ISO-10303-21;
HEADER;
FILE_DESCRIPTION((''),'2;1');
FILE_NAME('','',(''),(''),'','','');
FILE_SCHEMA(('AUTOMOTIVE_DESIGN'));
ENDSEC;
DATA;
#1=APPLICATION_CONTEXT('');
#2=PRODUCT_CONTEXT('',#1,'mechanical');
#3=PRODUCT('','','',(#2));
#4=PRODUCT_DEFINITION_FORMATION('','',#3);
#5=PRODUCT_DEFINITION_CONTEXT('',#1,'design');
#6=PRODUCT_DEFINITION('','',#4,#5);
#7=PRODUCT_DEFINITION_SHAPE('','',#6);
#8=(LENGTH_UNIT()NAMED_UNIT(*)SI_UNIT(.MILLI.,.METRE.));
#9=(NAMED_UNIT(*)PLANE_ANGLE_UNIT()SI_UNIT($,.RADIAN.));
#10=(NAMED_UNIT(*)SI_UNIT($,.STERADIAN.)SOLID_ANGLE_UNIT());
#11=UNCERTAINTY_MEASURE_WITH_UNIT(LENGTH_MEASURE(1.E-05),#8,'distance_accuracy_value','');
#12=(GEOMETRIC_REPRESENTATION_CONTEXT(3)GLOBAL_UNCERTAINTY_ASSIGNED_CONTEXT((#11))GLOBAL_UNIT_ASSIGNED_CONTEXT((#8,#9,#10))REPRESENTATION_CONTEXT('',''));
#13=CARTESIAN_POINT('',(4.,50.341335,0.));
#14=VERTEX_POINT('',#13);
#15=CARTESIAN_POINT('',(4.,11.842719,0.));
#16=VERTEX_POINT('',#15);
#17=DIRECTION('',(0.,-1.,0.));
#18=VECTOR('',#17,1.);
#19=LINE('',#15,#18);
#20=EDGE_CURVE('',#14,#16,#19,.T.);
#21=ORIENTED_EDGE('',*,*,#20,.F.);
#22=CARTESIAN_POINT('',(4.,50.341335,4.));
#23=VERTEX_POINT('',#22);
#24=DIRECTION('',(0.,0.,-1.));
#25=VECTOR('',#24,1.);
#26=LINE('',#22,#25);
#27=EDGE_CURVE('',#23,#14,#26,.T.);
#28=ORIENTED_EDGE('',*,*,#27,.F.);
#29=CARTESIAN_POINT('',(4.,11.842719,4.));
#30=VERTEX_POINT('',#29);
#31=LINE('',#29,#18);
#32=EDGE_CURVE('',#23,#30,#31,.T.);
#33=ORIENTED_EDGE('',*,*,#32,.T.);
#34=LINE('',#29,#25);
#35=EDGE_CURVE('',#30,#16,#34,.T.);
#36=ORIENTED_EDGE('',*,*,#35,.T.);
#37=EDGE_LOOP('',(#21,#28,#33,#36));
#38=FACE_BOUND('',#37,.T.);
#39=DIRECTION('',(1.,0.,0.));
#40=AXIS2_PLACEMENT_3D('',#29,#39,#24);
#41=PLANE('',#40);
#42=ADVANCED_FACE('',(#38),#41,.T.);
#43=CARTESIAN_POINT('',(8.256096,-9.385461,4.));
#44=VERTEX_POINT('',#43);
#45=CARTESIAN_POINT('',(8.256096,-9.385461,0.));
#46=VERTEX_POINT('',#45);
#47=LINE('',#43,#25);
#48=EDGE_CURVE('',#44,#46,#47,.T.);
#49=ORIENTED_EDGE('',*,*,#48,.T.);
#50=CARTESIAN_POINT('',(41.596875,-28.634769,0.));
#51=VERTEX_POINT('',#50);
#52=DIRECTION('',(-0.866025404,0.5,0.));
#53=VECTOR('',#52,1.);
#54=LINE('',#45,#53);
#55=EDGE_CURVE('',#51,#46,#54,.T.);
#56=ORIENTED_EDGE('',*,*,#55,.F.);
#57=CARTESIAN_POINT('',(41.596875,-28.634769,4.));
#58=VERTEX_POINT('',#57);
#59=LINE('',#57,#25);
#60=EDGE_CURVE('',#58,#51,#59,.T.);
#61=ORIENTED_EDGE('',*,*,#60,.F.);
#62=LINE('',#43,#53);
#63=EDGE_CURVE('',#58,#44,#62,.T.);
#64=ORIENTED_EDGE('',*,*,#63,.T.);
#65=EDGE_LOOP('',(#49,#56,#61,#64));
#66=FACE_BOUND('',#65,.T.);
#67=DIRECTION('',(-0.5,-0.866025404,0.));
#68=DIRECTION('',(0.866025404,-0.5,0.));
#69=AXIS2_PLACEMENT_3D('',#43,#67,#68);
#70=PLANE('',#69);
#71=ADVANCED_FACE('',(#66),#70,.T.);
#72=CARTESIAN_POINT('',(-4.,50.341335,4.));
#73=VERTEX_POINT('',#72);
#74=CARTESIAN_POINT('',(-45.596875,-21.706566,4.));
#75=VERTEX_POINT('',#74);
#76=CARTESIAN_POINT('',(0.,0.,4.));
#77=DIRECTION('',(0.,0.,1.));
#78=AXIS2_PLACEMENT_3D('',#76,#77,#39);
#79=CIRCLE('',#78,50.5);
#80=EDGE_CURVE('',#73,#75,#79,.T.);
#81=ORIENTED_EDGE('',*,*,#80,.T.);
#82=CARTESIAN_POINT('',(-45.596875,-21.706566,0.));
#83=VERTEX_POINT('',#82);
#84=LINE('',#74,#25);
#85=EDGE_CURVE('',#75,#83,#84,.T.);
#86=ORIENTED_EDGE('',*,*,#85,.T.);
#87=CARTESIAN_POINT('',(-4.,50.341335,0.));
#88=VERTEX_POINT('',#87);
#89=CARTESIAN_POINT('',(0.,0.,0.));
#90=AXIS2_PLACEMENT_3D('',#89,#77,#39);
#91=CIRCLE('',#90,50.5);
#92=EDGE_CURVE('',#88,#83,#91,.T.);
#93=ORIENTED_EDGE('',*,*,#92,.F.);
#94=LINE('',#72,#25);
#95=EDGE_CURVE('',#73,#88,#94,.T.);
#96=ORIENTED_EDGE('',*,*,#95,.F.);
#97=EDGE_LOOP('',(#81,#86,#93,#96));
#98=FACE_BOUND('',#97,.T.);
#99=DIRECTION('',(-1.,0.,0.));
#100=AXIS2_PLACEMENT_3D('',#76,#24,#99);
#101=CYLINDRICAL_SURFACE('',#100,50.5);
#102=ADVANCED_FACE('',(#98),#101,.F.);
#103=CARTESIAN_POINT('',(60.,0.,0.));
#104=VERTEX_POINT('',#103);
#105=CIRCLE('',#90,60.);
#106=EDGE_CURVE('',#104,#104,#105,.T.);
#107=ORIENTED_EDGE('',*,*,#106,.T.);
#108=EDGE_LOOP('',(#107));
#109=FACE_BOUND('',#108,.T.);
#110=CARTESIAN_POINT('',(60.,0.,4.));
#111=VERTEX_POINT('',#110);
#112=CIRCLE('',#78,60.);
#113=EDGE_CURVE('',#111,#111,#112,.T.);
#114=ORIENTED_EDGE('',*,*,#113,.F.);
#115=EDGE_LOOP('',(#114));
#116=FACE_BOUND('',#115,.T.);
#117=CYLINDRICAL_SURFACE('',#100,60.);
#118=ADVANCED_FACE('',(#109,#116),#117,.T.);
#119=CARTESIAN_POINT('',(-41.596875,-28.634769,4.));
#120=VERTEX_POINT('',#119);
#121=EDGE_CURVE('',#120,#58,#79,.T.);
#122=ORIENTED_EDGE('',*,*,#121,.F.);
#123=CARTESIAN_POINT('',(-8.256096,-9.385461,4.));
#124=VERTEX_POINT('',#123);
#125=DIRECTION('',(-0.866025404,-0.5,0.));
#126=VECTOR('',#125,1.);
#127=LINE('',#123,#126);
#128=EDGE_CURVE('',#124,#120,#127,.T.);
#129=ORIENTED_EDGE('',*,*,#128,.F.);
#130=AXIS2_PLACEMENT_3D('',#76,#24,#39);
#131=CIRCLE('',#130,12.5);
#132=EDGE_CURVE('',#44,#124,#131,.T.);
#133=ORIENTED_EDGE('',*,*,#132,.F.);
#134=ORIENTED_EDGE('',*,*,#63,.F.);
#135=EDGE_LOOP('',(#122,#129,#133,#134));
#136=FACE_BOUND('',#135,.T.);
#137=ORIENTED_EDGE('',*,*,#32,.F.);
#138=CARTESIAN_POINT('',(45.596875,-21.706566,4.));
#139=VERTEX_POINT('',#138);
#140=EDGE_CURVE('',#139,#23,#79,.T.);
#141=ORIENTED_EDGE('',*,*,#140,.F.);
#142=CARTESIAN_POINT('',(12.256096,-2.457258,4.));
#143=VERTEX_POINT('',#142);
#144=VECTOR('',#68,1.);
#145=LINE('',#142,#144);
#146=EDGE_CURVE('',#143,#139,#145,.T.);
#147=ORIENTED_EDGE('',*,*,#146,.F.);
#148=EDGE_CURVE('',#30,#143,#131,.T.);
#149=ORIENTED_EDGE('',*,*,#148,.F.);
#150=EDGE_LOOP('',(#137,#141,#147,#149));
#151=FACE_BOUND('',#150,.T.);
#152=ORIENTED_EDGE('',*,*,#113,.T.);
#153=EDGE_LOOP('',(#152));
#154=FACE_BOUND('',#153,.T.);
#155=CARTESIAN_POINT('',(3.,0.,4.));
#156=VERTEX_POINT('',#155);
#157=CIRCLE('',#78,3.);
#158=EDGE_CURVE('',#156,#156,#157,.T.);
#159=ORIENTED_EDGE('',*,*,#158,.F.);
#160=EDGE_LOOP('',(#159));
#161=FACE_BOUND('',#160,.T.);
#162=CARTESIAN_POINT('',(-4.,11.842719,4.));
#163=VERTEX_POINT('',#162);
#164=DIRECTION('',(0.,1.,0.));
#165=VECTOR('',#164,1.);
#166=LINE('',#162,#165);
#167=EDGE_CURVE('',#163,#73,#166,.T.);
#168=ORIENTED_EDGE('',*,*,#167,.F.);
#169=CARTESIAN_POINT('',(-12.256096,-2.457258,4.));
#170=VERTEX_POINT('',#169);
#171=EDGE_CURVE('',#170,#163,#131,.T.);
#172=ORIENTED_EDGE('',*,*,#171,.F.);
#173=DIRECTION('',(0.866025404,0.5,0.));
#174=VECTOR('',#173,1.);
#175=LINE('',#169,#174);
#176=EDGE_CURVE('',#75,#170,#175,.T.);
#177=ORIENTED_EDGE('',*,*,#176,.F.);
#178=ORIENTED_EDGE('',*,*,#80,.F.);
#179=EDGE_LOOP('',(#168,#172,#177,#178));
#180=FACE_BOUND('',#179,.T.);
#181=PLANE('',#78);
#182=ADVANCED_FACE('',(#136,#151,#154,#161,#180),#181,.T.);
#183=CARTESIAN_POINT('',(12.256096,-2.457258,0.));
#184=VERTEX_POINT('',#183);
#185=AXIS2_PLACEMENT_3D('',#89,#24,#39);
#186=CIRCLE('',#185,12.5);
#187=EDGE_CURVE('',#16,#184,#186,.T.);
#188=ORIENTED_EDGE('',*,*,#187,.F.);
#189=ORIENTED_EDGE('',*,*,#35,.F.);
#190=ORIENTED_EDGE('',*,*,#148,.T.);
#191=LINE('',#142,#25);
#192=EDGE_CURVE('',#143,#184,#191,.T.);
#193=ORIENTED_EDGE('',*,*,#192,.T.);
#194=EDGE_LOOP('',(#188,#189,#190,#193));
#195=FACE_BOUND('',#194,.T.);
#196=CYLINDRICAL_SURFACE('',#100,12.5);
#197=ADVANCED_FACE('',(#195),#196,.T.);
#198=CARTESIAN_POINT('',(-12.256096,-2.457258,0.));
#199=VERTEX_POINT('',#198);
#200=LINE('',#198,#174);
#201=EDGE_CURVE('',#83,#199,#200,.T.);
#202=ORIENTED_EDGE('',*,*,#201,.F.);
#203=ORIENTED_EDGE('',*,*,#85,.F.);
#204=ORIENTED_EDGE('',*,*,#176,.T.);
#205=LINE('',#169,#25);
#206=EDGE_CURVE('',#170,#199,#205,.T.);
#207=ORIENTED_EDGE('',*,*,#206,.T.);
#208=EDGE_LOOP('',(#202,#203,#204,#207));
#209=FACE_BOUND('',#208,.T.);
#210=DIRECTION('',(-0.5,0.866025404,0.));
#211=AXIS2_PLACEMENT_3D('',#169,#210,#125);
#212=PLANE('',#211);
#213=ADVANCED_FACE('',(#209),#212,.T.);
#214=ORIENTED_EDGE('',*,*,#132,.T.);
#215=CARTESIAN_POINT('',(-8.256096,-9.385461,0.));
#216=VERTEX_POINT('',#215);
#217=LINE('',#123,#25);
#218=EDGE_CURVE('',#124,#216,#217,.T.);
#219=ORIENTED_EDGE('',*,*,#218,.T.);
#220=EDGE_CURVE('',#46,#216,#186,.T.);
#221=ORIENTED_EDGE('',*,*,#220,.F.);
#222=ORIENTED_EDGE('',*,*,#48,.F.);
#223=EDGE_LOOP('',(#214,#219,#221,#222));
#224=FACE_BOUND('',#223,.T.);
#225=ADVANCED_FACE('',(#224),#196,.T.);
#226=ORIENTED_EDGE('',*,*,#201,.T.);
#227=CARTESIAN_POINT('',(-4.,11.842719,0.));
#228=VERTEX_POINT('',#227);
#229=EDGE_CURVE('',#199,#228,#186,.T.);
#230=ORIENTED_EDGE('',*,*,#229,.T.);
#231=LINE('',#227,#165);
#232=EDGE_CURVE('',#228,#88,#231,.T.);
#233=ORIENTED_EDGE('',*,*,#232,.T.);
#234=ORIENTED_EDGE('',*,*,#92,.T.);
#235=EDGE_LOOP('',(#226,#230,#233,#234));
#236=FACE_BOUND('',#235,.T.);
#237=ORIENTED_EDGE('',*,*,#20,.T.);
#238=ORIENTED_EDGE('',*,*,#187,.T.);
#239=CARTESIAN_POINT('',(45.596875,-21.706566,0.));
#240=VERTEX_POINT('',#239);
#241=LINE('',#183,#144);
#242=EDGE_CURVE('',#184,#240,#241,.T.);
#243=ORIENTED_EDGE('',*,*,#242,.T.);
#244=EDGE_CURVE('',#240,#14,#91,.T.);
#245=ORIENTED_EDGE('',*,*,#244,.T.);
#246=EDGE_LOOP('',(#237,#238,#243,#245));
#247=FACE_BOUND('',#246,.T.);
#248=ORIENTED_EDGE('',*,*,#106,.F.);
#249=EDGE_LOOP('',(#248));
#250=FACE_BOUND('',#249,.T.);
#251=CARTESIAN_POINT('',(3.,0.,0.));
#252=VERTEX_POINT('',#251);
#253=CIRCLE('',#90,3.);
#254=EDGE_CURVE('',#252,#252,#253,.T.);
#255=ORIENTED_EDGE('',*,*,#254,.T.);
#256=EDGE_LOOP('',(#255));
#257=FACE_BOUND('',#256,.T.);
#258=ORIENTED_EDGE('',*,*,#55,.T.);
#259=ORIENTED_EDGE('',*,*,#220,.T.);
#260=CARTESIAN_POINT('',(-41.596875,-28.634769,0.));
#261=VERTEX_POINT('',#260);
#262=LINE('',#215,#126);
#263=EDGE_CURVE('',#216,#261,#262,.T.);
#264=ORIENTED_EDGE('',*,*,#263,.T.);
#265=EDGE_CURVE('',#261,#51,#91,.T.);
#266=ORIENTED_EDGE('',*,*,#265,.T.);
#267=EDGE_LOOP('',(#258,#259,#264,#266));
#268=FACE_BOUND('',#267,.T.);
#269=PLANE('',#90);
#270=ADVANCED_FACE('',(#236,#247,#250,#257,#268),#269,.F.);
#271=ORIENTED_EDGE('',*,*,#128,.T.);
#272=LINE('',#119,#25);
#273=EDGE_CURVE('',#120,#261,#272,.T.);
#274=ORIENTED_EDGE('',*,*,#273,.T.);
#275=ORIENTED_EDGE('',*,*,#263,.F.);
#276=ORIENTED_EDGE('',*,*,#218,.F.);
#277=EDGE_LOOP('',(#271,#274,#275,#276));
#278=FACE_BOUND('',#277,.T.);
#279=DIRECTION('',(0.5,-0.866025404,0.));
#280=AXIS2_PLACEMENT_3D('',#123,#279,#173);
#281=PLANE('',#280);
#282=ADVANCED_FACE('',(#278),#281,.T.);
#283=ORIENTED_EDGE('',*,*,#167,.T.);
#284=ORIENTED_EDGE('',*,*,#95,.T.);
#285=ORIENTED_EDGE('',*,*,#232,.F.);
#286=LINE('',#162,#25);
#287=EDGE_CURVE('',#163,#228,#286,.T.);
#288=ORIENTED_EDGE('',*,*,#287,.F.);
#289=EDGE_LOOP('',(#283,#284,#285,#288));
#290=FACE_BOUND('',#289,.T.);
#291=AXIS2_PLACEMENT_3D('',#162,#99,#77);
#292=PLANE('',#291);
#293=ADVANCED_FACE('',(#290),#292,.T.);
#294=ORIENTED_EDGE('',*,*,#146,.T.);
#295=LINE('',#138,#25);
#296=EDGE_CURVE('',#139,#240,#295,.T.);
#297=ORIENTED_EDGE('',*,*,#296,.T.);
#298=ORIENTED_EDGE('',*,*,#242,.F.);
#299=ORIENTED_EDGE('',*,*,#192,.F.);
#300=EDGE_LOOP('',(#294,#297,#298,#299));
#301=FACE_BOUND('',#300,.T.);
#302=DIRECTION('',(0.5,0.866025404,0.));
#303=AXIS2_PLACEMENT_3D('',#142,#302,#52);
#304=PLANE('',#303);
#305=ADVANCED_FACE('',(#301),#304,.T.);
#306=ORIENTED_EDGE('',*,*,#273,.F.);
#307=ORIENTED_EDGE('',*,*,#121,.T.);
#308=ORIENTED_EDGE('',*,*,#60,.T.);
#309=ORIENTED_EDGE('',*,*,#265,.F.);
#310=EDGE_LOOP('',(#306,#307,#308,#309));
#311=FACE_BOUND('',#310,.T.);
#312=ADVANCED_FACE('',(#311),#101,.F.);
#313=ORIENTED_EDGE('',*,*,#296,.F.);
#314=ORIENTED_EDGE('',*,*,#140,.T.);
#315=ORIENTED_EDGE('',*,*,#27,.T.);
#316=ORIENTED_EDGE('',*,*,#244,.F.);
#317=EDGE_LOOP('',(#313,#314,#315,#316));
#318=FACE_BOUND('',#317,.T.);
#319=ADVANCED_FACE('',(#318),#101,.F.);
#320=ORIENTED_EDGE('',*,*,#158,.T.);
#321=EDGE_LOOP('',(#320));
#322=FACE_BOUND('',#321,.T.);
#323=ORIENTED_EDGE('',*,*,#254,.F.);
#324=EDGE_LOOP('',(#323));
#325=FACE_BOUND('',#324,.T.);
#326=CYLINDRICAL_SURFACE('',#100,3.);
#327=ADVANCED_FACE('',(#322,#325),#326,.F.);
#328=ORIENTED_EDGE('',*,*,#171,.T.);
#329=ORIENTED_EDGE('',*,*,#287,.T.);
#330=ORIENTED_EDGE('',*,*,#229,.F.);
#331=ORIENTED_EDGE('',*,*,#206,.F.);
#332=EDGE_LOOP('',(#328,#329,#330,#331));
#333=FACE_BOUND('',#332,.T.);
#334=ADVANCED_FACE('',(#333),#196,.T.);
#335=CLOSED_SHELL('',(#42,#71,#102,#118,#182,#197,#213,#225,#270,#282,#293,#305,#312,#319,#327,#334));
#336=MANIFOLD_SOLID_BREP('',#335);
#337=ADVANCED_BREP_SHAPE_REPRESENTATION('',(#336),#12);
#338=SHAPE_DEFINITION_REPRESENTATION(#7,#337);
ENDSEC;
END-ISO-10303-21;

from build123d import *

# Parameters (mm, degrees)
SKETCH_1_R      = 60
SKETCH_1_R_2    = 3
EXTRUDE_1_DEPTH = 4


with BuildPart() as part:
    # 草图1 → 凸台-拉伸1 (new body)
    with BuildSketch(Plane.XY):
        Circle(SKETCH_1_R)
        Circle(SKETCH_1_R_2, mode=Mode.SUBTRACT)
        with BuildLine():
            Line((-4, 11.842719282), (-4, 50.341334905))
            ThreePointArc((-4, 50.341334905), (-43.734282891, 25.25), (-45.596874888, -21.706565837))
            Line((-45.596874888, -21.706565837), (-12.256095748, -2.457258026))
            ThreePointArc((-12.256095748, -2.457258026), (-10.825317547, 6.25), (-4, 11.842719282))
        make_face(mode=Mode.SUBTRACT)
        with BuildLine():
            Line((4, 11.842719282), (4, 50.341334905))
            ThreePointArc((4, 50.341334905), (43.734282891, 25.25), (45.596874888, -21.706565837))
            Line((45.596874888, -21.706565837), (12.256095748, -2.457258026))
            ThreePointArc((12.256095748, -2.457258026), (10.825317547, 6.25), (4, 11.842719282))
        make_face(mode=Mode.SUBTRACT)
        with BuildLine():
            Line((8.256095748, -9.385461256), (41.596874888, -28.634769068))
            ThreePointArc((41.596874888, -28.634769068), (0, -50.5), (-41.596874888, -28.634769068))
            Line((-41.596874888, -28.634769068), (-8.256095748, -9.385461256))
            ThreePointArc((-8.256095748, -9.385461256), (0, -12.5), (8.256095748, -9.385461256))
        make_face(mode=Mode.SUBTRACT)
    extrude(amount=EXTRUDE_1_DEPTH)


solid = part.part
